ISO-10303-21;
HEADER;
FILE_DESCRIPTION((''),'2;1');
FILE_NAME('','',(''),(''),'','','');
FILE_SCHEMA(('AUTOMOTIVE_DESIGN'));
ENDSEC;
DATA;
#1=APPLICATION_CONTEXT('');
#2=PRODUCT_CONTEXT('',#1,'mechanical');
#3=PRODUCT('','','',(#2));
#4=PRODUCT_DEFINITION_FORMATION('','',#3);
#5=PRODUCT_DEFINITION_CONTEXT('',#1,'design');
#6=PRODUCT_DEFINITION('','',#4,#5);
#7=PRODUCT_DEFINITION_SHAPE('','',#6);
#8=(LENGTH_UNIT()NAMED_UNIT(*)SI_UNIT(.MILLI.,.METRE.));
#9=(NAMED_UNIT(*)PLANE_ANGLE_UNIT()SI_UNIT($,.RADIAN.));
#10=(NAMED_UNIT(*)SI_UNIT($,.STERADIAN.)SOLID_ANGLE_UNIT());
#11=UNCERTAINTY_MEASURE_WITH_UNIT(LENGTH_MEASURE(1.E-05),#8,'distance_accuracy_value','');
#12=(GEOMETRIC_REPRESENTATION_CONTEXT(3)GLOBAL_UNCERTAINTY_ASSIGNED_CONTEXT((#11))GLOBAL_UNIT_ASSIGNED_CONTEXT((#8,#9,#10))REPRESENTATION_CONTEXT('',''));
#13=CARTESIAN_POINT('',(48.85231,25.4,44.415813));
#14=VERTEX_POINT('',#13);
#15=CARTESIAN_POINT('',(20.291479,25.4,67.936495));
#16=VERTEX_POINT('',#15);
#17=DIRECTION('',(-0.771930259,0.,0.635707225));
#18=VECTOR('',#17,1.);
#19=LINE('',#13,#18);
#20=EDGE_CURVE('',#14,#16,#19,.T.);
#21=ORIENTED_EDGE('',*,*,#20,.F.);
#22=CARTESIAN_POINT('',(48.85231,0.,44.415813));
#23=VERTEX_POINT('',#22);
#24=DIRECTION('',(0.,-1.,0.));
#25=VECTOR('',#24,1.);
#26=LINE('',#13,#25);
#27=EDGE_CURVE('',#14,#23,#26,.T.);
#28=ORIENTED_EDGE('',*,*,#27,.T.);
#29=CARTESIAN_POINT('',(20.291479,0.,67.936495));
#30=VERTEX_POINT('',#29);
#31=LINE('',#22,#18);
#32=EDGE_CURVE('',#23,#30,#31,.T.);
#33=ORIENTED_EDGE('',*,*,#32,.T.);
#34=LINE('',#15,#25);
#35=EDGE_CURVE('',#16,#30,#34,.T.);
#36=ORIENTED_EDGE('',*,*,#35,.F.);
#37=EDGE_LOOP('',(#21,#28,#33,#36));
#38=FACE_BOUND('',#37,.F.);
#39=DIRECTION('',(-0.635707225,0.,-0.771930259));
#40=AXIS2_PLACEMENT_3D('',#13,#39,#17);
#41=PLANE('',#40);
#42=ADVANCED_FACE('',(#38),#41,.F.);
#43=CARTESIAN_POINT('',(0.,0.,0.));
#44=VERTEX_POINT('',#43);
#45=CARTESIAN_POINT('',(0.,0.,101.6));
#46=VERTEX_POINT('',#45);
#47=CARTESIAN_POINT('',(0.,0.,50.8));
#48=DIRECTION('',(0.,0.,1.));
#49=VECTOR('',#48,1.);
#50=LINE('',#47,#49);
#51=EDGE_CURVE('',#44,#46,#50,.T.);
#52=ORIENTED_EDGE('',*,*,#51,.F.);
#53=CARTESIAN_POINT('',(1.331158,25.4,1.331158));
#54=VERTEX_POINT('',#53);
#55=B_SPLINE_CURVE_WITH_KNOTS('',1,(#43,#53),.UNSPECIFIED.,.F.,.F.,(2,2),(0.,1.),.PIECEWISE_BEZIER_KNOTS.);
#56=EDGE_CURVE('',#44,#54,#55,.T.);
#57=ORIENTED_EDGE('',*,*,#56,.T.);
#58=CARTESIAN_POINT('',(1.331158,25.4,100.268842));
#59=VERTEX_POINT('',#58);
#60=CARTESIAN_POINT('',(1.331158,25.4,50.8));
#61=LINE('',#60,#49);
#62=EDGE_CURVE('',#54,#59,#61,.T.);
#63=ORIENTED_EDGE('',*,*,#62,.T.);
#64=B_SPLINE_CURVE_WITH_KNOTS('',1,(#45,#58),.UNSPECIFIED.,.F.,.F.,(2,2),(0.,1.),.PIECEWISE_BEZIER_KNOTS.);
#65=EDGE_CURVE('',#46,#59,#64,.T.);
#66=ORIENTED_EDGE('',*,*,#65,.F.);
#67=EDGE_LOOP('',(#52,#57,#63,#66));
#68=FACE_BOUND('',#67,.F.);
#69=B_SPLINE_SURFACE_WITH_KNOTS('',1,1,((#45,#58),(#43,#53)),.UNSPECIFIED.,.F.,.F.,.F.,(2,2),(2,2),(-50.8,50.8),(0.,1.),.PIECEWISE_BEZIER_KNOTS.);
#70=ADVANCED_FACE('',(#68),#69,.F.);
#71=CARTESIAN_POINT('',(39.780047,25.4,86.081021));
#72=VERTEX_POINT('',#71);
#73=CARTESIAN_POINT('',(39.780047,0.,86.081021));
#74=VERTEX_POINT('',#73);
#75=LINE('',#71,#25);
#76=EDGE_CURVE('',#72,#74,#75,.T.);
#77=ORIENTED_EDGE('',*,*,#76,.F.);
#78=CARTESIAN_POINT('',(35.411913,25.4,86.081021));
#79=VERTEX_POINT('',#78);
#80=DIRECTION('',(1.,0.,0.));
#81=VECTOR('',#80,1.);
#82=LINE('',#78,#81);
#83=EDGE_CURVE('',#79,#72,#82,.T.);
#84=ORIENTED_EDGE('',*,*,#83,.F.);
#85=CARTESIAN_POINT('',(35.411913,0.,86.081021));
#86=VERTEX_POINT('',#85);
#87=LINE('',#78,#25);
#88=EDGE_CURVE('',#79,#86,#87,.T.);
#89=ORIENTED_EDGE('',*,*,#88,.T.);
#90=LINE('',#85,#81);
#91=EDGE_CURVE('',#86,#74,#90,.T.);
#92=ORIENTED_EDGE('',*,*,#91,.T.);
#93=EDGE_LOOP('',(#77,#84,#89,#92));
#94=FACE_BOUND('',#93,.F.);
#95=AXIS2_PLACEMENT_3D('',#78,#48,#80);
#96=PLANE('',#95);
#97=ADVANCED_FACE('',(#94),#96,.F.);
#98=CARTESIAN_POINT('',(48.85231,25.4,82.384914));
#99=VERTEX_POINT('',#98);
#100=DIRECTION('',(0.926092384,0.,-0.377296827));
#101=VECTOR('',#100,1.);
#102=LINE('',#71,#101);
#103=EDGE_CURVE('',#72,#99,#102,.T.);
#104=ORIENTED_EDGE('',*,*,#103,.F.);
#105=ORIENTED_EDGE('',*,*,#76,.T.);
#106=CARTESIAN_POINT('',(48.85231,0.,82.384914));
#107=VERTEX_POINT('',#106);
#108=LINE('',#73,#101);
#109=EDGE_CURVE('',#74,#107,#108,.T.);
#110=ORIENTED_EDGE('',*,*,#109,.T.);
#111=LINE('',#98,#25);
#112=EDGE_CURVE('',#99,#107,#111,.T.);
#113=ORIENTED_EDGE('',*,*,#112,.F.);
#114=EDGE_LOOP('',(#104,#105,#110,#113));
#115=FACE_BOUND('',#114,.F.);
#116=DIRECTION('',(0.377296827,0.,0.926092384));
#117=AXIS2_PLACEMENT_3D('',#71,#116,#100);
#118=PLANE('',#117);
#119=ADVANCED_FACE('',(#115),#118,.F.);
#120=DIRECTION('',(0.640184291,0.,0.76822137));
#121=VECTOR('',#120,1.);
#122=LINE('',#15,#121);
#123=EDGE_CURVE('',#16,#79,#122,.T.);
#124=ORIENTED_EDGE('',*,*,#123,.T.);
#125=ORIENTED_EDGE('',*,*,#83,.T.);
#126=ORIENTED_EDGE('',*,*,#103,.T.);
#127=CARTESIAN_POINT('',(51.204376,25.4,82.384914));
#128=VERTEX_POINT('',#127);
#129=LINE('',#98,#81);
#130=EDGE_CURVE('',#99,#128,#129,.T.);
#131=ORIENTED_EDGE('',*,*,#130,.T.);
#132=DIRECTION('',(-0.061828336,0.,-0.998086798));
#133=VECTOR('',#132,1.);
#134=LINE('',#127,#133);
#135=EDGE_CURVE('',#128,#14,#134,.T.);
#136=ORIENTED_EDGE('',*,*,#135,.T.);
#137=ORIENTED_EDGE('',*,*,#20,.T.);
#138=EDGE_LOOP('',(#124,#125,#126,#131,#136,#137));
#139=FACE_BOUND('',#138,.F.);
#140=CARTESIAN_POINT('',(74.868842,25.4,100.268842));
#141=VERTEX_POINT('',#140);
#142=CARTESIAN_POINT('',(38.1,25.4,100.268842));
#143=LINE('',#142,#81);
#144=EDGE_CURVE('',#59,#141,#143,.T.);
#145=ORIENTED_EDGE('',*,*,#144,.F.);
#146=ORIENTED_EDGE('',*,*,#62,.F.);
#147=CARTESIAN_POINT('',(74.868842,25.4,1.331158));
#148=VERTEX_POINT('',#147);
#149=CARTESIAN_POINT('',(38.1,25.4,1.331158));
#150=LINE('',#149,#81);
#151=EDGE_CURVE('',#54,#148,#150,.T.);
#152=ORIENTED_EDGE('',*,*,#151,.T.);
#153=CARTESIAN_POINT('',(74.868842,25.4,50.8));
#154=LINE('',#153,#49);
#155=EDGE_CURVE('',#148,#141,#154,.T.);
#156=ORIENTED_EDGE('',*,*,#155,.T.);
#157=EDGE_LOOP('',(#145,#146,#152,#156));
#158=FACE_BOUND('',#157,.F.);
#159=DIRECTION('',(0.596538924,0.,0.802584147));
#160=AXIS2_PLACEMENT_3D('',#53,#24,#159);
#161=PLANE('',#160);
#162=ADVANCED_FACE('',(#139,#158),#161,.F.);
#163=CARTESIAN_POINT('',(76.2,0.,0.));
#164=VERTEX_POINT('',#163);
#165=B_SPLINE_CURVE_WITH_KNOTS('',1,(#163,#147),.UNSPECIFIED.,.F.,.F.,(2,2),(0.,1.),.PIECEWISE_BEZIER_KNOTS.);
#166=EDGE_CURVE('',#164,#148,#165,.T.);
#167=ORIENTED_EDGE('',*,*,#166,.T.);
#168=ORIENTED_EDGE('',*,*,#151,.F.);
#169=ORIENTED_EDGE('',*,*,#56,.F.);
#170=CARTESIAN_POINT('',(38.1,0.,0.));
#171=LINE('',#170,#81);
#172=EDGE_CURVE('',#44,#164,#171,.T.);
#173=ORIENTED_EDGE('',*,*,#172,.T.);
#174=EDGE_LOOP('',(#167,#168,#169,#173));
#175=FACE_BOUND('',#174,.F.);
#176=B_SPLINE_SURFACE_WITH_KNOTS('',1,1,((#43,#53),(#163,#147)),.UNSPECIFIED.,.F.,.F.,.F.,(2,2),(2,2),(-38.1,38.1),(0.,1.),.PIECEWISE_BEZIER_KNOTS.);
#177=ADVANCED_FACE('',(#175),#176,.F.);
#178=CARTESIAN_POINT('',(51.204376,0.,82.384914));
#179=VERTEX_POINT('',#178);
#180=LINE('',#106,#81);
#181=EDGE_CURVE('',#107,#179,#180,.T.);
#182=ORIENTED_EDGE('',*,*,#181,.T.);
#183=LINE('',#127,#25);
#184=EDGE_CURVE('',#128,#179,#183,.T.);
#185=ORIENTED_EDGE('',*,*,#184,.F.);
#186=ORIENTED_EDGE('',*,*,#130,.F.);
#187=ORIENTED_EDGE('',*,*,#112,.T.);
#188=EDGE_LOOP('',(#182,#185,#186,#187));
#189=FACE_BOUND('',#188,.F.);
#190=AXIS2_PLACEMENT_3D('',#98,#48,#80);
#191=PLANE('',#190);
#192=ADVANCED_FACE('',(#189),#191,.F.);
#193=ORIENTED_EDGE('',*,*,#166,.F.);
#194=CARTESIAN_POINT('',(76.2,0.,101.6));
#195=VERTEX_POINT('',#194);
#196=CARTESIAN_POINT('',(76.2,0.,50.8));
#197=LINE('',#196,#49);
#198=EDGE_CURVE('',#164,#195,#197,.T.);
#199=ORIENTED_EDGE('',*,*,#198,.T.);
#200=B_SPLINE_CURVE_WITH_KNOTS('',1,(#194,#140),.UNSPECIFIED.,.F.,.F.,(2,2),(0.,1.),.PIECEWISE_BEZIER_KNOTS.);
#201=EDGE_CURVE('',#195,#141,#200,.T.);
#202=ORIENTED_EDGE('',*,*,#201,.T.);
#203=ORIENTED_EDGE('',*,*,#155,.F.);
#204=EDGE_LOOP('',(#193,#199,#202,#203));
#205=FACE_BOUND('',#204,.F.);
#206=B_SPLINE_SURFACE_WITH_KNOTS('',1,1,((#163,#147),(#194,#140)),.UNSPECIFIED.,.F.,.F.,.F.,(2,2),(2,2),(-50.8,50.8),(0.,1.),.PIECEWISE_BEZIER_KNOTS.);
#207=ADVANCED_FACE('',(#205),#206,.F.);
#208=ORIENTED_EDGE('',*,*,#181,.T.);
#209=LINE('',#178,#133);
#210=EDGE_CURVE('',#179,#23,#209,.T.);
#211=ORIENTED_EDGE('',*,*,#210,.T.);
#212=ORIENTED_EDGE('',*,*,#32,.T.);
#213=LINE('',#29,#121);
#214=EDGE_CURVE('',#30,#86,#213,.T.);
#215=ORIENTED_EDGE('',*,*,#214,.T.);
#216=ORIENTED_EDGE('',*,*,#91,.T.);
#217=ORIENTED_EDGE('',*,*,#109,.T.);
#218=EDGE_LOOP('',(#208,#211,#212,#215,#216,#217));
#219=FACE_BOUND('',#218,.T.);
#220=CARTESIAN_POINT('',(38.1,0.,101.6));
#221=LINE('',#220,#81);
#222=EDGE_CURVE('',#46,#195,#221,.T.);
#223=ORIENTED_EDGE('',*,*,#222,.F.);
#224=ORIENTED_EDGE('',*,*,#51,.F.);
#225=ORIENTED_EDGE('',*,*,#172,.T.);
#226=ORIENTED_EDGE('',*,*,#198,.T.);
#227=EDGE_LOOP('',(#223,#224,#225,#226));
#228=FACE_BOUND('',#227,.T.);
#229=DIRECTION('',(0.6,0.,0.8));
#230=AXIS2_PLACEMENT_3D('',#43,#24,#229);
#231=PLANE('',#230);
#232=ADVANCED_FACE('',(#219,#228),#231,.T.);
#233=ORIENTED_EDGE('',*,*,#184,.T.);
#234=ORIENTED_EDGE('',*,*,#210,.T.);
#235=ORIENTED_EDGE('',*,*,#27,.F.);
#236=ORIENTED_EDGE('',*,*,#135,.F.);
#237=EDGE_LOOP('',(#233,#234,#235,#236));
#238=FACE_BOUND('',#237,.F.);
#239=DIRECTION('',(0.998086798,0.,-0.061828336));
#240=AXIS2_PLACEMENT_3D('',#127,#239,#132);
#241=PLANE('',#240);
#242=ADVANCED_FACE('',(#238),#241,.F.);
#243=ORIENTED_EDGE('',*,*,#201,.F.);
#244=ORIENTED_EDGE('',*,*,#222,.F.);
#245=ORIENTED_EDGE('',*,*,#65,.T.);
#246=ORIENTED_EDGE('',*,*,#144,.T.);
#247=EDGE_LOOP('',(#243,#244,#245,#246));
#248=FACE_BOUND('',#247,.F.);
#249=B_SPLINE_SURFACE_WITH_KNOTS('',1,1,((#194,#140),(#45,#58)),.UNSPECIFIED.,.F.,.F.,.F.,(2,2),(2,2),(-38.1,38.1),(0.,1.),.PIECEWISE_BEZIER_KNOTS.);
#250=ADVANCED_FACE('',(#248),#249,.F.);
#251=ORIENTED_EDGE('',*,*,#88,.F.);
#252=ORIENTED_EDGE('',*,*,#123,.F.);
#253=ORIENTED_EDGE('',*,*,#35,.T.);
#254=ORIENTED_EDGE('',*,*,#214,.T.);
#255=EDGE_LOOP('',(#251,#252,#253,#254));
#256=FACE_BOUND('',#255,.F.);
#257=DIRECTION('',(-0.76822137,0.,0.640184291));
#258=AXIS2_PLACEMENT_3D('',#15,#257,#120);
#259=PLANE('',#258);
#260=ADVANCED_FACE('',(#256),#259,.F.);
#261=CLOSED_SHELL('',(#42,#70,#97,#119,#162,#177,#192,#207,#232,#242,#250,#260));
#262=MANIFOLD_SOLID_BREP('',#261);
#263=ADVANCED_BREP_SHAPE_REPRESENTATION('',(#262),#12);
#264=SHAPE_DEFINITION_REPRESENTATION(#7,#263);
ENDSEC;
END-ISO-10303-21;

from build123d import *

# Parameters (mm, degrees)
F0_W     = 76.2
F0_H     = 101.6
F1_DEPTH = 25.4
F1_TAPER = 3
F3_DEPTH = 25.4


with BuildPart() as f1:
    # F0 (on Front) → F1 (new body)
    with BuildSketch(Plane.XZ):
        with Locations((38.1, 50.8)):
            Rectangle(F0_W, F0_H)
    extrude(amount=-F1_DEPTH, taper=F1_TAPER)

    # F2 (on face) → F3 (cut, through all)
    with BuildSketch(Plane(origin=(0, 25.4, 0), x_dir=(-1, 0, 0), z_dir=(0, 1, 0))):
        Polygon((-51.2043759227, 82.3849141598), (-48.8523095846, 44.4158129394), (-20.2914793044, 67.9364949465), (-35.4119129479, 86.081020534), (-39.7800467908, 86.081020534), (-48.8523095846, 82.3849141598), align=None)
    extrude(amount=-F3_DEPTH, mode=Mode.SUBTRACT)


solid = f1.part
